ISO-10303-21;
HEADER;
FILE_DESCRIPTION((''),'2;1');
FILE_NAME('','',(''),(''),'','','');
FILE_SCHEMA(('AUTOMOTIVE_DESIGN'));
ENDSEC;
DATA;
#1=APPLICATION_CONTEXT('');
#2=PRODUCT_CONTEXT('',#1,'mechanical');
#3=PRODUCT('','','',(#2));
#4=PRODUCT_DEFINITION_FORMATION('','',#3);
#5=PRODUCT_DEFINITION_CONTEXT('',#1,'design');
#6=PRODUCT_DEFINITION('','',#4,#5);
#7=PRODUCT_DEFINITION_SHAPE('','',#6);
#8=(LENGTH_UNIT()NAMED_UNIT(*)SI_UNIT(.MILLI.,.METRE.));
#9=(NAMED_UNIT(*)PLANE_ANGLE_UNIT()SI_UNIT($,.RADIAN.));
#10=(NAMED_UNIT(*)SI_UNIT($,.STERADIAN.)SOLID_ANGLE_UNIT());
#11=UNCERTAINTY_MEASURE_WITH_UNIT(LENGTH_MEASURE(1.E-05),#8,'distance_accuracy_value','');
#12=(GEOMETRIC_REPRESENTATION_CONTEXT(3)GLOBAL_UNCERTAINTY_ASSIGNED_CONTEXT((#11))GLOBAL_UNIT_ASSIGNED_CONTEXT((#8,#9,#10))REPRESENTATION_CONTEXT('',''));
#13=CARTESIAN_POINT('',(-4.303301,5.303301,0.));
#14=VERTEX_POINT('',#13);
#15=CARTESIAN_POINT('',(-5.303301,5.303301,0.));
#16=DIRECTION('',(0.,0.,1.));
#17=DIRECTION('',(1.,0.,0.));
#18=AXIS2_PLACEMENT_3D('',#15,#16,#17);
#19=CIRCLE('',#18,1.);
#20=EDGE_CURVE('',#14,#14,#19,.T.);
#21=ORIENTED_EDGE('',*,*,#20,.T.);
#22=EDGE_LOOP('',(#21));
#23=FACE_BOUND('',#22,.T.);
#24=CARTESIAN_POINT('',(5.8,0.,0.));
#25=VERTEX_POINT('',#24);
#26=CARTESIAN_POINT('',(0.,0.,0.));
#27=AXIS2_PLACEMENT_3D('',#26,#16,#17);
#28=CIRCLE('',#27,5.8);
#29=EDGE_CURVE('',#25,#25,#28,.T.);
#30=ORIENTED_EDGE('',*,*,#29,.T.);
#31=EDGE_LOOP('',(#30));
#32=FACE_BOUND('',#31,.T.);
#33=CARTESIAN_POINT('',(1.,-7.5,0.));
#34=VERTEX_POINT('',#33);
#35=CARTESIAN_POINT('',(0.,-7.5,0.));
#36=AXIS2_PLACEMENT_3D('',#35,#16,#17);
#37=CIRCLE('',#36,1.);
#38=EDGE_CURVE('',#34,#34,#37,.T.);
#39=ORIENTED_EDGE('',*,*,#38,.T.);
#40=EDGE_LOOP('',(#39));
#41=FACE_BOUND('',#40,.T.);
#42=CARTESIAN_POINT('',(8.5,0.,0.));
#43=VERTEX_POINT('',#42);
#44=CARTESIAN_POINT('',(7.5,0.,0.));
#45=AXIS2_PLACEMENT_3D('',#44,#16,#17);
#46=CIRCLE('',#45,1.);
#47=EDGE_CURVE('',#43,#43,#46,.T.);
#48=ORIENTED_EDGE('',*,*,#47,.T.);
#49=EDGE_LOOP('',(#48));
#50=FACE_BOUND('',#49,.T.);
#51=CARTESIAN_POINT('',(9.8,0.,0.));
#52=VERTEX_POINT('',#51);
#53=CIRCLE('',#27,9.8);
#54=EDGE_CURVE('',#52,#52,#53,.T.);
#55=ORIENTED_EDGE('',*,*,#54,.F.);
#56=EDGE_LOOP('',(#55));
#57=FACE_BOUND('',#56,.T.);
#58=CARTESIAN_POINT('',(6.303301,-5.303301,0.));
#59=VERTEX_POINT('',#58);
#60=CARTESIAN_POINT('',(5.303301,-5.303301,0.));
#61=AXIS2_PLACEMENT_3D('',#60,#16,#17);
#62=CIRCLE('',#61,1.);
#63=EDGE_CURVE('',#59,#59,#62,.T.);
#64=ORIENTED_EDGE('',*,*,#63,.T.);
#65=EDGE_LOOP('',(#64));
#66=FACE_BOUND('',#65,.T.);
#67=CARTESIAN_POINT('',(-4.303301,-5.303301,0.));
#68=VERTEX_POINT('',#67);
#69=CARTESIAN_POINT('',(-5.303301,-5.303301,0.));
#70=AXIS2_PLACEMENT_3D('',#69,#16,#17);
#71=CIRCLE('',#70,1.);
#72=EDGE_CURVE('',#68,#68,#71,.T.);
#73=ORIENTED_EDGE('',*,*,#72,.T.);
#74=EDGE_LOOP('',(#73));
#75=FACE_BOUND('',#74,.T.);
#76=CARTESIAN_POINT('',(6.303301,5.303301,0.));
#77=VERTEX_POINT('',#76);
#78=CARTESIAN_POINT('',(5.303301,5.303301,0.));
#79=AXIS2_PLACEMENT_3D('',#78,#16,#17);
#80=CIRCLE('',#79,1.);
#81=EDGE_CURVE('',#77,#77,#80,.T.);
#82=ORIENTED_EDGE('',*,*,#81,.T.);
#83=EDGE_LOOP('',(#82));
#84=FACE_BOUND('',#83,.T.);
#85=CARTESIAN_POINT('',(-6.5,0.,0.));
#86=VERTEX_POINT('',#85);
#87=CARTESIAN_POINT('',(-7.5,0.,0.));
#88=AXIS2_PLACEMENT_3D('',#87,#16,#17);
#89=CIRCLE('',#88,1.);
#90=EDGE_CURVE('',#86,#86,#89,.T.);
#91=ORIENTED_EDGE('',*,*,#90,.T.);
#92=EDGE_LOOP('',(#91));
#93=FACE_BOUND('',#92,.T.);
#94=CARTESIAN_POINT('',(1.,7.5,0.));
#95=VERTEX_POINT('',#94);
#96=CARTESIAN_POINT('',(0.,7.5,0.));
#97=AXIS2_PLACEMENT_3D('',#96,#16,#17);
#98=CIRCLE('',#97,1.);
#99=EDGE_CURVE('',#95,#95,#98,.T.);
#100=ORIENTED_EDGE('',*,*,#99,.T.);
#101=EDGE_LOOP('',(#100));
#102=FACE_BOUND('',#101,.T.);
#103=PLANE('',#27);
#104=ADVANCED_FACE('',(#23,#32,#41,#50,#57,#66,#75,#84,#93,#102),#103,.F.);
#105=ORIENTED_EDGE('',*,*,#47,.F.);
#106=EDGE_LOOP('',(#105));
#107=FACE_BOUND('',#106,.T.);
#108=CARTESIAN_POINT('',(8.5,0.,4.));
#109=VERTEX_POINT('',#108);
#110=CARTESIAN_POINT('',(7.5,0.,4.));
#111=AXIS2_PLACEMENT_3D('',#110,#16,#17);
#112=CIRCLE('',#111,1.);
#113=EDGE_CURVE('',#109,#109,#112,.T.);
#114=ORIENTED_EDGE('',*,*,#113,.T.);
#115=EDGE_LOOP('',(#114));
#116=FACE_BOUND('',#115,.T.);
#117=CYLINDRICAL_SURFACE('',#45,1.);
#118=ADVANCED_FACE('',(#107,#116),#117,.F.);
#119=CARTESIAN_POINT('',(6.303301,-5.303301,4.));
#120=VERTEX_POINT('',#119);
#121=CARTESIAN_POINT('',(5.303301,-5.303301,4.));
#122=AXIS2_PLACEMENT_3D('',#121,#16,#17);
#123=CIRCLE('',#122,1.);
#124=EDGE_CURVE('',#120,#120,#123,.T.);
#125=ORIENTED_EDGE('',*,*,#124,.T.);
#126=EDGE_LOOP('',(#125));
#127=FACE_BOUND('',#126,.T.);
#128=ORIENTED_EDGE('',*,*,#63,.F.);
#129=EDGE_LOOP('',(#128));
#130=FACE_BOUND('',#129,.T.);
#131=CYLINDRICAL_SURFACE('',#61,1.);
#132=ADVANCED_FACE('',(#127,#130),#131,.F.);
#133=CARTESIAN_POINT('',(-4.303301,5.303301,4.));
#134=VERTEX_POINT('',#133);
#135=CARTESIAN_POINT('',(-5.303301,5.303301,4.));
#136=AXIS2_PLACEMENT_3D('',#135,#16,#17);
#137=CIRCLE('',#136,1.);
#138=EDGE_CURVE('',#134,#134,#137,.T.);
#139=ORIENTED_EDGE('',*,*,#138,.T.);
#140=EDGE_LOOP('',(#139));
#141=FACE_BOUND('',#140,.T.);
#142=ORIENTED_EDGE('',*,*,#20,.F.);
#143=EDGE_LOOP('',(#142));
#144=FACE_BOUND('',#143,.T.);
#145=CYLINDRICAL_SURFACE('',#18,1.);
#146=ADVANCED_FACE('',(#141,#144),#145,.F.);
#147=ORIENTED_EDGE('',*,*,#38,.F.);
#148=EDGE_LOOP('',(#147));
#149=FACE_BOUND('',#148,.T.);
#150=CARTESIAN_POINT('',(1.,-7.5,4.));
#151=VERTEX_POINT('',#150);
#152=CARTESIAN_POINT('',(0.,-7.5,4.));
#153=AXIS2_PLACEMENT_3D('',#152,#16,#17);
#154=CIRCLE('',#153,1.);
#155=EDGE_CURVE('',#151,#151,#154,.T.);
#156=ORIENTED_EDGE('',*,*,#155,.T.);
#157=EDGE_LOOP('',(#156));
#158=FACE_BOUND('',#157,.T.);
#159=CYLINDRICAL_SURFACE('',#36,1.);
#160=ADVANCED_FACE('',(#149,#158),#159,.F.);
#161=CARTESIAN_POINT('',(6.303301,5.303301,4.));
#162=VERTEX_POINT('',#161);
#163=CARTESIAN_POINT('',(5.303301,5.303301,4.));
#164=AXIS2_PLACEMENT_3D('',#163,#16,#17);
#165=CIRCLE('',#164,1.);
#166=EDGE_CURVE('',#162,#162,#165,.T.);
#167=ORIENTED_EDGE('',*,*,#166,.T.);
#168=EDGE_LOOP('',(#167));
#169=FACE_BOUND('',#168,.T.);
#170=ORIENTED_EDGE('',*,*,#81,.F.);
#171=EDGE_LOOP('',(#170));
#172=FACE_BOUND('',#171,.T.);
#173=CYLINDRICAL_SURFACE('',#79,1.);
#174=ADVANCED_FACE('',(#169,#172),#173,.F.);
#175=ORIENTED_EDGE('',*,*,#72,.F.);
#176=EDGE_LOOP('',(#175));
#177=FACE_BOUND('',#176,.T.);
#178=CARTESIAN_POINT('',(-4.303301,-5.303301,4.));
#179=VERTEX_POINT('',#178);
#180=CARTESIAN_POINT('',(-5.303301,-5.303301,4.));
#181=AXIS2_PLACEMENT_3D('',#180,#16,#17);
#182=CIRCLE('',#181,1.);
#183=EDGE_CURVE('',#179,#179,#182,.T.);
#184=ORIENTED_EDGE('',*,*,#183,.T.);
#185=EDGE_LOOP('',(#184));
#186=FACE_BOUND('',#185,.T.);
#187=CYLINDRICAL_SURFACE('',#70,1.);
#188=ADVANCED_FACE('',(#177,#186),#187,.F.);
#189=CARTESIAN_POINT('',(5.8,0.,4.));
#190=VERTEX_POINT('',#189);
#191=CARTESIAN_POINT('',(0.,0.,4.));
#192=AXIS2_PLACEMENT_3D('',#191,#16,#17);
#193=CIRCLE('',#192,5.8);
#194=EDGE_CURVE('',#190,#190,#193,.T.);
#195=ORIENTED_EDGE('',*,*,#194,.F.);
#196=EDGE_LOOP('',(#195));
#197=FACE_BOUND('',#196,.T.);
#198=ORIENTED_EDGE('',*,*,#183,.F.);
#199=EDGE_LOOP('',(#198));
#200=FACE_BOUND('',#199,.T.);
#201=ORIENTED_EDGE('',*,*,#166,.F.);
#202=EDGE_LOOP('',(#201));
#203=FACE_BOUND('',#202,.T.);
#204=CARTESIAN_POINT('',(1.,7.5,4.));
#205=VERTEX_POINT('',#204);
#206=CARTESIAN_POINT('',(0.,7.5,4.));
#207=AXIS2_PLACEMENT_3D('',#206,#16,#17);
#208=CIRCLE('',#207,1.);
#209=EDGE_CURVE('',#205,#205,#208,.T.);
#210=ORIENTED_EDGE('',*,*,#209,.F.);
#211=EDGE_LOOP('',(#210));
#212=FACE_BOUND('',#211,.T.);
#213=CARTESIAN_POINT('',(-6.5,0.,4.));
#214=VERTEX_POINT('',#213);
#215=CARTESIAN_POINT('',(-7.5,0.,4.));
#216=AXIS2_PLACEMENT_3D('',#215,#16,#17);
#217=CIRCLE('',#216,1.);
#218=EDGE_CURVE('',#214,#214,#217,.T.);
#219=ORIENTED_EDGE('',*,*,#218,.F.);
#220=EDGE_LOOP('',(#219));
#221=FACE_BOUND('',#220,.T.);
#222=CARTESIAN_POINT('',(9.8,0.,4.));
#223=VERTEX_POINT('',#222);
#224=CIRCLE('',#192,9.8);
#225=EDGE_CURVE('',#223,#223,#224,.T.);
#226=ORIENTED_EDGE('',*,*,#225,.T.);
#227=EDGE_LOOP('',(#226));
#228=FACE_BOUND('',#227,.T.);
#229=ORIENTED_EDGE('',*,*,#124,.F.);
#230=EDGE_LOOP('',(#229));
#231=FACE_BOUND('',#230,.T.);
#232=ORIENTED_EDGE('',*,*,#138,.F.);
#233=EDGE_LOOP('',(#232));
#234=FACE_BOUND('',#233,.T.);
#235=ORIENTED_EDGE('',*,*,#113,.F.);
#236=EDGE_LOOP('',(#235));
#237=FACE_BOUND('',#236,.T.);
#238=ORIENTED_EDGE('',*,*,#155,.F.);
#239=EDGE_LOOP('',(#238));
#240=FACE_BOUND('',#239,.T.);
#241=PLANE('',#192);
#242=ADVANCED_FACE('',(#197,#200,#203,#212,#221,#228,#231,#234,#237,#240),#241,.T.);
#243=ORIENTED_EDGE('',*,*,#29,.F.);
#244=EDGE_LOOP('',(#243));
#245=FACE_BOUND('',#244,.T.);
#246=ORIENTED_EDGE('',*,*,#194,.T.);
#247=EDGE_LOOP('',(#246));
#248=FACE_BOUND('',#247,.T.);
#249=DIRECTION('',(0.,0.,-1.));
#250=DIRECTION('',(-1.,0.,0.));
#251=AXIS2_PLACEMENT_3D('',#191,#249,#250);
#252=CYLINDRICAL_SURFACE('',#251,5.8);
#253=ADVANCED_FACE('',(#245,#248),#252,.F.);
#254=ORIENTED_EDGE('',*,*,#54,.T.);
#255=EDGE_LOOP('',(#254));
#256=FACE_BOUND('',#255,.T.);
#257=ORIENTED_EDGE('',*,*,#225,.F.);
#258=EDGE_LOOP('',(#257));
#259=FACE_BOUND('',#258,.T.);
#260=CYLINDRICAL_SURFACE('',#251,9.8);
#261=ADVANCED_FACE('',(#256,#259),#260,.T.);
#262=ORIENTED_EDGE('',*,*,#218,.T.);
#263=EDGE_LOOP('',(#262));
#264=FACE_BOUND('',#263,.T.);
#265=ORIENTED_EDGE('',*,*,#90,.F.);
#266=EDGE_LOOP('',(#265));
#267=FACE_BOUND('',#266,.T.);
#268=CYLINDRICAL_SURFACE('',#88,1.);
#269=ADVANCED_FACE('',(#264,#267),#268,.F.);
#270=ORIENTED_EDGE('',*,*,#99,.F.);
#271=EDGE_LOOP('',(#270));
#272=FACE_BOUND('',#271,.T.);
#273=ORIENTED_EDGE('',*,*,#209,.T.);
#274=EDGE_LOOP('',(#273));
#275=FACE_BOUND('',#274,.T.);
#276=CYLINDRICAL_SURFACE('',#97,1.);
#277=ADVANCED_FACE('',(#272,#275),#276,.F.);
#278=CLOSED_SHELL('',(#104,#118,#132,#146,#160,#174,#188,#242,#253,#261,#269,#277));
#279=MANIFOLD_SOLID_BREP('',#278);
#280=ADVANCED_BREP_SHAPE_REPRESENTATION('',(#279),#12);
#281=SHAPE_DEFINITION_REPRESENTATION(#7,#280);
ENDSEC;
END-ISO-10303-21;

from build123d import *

# Parameters (mm, degrees)
SKETCH1_R           = 9.8
SKETCH1_R_2         = 5.8
BOSS_EXTRUDE1_DEPTH = 4
SKETCH2_R           = 1
CUT_EXTRUDE1_DEPTH  = 5


with BuildPart() as part:
    # Sketch1 → Boss-Extrude1 (new body)
    with BuildSketch(Plane.XY):
        Circle(SKETCH1_R)
        Circle(SKETCH1_R_2, mode=Mode.SUBTRACT)
    extrude(amount=BOSS_EXTRUDE1_DEPTH)

    # Sketch2 → Cut-Extrude1 (cut, through all)
    with BuildSketch(Plane.XY.offset(4)):
        with Locations((0, 7.5)):
            Circle(SKETCH2_R)
        with Locations((7.5, 0)):
            Circle(SKETCH2_R)
        with Locations((0, -7.5)):
            Circle(SKETCH2_R)
        with Locations((-7.5, 0)):
            Circle(SKETCH2_R)
        with Locations((-5.303300859, 5.303300859)):
            Circle(SKETCH2_R)
        with Locations((5.303300859, 5.303300859)):
            Circle(SKETCH2_R)
        with Locations((5.303300859, -5.303300859)):
            Circle(SKETCH2_R)
        with Locations((-5.303300859, -5.303300859)):
            Circle(SKETCH2_R)
    extrude(amount=-CUT_EXTRUDE1_DEPTH, mode=Mode.SUBTRACT)


solid = part.part
